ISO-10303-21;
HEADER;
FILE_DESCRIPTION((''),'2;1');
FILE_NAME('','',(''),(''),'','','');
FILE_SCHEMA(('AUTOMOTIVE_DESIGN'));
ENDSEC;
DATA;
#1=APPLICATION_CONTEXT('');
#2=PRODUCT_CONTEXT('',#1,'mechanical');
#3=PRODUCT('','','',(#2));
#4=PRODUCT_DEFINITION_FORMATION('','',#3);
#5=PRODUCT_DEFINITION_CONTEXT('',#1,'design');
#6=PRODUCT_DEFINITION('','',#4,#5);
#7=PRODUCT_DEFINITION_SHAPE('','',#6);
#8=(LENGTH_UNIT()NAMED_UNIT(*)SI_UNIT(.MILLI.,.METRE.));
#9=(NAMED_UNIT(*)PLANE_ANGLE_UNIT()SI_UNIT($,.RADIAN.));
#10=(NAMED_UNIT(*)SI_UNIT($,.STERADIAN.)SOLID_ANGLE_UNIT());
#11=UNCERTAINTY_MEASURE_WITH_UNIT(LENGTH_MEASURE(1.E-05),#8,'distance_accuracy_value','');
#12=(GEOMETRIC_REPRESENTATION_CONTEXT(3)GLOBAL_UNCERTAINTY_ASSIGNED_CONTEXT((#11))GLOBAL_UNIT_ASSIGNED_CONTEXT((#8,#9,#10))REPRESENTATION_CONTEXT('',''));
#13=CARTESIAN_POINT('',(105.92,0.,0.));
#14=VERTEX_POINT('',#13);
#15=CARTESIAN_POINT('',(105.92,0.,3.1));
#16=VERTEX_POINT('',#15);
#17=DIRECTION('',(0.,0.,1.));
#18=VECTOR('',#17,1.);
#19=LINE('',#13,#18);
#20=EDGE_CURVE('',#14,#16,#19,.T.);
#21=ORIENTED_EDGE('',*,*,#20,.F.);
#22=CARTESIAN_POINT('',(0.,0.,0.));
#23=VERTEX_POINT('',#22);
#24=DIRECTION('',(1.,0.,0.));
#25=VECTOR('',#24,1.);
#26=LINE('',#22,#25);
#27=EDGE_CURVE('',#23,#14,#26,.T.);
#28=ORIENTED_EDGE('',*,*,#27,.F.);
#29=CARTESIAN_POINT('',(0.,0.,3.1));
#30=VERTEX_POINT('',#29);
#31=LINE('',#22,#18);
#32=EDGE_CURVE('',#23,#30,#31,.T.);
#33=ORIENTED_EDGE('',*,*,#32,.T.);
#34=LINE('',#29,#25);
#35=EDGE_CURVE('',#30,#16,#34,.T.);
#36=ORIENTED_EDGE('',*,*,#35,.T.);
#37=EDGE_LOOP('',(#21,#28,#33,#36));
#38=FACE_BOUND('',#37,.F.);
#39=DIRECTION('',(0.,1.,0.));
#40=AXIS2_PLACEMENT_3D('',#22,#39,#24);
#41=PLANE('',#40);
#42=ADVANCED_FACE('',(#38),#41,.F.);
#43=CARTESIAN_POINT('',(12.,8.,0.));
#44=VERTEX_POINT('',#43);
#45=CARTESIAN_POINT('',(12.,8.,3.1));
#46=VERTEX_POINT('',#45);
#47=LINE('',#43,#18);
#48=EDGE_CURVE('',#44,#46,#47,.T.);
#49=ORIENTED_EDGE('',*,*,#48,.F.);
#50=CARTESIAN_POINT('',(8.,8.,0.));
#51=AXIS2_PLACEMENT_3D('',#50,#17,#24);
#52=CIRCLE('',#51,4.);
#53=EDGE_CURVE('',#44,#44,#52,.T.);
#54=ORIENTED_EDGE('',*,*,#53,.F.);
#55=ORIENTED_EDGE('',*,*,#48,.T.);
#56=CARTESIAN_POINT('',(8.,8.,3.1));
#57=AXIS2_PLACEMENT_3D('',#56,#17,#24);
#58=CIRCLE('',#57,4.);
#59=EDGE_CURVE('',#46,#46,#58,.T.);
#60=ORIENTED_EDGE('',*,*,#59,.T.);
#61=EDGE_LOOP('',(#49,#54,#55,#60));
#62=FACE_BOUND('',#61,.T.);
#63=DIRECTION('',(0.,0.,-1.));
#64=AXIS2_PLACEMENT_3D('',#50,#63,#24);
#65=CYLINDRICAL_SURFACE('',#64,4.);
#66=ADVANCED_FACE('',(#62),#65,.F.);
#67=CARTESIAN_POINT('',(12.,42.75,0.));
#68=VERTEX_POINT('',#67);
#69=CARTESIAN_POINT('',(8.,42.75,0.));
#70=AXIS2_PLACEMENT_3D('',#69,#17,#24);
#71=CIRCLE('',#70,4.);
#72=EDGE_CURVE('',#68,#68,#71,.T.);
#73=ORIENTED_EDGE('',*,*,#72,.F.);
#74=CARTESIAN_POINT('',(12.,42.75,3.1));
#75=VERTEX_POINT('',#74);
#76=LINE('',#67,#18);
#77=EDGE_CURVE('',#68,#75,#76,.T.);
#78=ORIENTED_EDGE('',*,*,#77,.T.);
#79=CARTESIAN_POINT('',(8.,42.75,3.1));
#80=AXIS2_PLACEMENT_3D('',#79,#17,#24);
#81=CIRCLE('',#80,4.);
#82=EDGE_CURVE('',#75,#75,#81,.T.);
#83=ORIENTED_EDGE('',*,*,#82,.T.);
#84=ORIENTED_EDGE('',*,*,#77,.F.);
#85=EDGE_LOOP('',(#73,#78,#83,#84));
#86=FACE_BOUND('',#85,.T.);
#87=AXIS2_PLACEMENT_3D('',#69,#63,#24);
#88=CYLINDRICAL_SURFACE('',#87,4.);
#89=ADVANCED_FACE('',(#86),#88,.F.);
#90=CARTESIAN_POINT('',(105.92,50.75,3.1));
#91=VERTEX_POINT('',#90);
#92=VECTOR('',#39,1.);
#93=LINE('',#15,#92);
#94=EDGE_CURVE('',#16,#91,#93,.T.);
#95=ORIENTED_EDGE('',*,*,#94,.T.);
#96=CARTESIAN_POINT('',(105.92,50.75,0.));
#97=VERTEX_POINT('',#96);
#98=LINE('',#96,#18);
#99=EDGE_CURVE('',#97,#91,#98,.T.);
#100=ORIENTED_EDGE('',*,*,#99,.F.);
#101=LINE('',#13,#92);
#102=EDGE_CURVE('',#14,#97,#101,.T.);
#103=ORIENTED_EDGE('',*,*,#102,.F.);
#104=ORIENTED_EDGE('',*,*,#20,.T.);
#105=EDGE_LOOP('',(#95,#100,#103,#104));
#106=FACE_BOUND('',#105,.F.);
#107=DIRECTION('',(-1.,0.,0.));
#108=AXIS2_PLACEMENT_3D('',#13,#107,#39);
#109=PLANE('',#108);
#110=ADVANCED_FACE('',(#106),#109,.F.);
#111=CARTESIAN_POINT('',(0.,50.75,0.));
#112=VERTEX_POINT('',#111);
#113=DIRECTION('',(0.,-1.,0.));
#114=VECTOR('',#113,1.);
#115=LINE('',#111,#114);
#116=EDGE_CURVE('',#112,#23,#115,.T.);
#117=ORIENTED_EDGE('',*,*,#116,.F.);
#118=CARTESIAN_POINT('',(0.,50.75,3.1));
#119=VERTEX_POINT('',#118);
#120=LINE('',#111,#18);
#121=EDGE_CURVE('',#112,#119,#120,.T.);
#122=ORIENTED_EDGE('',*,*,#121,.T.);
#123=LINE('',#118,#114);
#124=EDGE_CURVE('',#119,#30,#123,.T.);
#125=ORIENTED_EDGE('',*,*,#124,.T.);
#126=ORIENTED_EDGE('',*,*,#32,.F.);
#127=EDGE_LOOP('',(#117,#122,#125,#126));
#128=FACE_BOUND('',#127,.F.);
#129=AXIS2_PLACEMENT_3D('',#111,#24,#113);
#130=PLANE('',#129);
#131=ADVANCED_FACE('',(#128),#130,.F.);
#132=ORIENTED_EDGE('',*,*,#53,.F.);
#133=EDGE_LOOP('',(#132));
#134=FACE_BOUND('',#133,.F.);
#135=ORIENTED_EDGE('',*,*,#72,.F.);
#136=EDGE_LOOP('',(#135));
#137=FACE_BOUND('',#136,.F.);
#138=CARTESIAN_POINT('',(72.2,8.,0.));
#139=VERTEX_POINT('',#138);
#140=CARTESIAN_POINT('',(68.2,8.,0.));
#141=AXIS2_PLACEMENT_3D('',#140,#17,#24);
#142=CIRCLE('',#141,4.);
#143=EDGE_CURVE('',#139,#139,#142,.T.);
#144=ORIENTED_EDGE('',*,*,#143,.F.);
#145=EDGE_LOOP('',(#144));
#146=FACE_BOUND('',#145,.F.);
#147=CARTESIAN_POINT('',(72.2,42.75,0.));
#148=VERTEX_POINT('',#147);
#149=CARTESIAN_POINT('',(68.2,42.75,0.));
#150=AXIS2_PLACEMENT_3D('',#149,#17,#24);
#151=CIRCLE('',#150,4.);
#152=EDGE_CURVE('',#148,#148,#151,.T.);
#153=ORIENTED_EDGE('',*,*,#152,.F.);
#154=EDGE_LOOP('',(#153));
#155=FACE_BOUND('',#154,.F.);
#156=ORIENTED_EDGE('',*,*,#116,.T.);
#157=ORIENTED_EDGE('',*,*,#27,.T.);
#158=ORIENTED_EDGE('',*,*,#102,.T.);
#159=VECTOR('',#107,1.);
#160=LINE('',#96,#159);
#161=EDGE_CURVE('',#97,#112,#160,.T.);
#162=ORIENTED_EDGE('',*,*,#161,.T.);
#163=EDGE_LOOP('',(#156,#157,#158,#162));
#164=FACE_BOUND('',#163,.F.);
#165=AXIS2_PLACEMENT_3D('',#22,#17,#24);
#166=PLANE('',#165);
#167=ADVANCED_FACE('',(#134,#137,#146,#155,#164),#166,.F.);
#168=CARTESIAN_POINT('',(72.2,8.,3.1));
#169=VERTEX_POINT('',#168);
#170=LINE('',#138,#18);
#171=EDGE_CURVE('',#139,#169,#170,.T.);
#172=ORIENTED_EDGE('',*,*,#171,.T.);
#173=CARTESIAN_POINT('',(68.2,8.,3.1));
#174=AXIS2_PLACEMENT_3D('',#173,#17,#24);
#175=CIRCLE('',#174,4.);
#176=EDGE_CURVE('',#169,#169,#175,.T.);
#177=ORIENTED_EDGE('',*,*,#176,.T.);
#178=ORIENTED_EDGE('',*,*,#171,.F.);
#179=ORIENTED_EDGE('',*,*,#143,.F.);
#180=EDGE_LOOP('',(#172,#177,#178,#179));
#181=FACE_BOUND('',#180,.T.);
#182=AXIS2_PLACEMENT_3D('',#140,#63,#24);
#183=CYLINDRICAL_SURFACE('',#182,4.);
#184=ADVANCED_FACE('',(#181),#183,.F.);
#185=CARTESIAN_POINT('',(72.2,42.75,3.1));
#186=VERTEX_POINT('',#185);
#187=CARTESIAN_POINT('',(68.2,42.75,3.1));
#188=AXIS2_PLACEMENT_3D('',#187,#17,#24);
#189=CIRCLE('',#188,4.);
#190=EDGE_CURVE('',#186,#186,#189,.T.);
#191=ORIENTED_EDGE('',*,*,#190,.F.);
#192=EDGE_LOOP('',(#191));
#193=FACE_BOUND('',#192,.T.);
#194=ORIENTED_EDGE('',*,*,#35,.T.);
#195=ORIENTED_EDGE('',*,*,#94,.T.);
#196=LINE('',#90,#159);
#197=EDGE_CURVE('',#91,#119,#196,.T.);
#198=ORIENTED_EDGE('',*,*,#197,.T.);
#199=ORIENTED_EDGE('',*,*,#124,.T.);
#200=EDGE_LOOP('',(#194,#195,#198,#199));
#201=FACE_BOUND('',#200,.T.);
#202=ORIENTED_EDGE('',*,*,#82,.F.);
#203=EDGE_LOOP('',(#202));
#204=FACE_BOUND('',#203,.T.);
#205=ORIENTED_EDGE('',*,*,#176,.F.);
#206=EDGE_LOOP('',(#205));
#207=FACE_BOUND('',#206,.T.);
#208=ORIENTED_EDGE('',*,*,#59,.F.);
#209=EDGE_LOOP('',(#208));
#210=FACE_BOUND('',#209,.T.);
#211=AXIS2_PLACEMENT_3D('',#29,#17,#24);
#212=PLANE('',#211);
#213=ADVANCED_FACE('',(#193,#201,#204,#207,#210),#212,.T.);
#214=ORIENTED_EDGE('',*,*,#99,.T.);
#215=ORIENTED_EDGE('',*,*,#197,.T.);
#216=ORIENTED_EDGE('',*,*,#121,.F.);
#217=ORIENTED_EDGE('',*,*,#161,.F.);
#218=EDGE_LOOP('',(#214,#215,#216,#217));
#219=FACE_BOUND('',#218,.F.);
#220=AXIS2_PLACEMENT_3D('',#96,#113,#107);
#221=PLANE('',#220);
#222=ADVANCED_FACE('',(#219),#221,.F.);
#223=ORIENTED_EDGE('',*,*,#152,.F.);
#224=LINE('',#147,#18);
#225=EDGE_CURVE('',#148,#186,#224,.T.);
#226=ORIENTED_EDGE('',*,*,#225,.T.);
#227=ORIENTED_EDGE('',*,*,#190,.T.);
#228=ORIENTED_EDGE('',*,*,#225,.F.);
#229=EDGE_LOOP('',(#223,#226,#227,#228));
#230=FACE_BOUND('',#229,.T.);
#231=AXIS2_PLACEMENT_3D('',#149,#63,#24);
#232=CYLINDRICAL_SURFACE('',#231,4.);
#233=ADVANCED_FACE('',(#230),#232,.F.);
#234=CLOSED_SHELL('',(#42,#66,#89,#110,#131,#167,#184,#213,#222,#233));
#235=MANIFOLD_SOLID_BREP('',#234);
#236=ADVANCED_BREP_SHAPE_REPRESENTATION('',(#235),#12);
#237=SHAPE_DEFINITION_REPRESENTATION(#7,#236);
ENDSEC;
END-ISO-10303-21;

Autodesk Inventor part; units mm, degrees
ref_plane "YZ Plane" through (0, 0, 0) normal (1, 0, 0) x (0, 1, 0)
ref_plane "XZ Plane" through (0, 0, 0) normal (0, 1, 0) x (-1, 0, 0)
ref_plane "XY Plane" through (0, 0, 0) normal (0, 0, 1) x (1, 0, 0)
sketch "Sketch1" plane through (0, 0, 0) normal (0, 0, 1) x (1, 0, 0)
  line L0 (0, 0) -> (105.92, 0)
  line L1 (105.92, 0) -> (105.92, 50.75)
  line L2 (105.92, 50.75) -> (0, 50.75)
  line L3 (0, 50.75) -> (0, 0)
  circle A0 centre (8, 42.75) radius 4
  circle A1 centre (68.2, 42.75) radius 4
  circle A2 centre (8, 8) radius 4
  circle A3 centre (68.2, 8) radius 4
  dimension "d0" = 105.92
  dimension "d1" = 50.75
  dimension "d2" = 8
  dimension "d3" = 8
  dimension "d4" = 8
  dimension "d5" = 8
  dimension "d6" = 8
  dimension "d7" = 8
  dimension "d8" = 8
  dimension "d9" = 8
  dimension "d10" = 60.2
  dimension "d11" = 60.2
  dimension "d12" = 8
  dimension "d13" = 8
extrude "Extrusion1" add sketch "Sketch1" along normal blind 3.1
properties part number "LeftSupportBracket" material "Steel, Mild"
